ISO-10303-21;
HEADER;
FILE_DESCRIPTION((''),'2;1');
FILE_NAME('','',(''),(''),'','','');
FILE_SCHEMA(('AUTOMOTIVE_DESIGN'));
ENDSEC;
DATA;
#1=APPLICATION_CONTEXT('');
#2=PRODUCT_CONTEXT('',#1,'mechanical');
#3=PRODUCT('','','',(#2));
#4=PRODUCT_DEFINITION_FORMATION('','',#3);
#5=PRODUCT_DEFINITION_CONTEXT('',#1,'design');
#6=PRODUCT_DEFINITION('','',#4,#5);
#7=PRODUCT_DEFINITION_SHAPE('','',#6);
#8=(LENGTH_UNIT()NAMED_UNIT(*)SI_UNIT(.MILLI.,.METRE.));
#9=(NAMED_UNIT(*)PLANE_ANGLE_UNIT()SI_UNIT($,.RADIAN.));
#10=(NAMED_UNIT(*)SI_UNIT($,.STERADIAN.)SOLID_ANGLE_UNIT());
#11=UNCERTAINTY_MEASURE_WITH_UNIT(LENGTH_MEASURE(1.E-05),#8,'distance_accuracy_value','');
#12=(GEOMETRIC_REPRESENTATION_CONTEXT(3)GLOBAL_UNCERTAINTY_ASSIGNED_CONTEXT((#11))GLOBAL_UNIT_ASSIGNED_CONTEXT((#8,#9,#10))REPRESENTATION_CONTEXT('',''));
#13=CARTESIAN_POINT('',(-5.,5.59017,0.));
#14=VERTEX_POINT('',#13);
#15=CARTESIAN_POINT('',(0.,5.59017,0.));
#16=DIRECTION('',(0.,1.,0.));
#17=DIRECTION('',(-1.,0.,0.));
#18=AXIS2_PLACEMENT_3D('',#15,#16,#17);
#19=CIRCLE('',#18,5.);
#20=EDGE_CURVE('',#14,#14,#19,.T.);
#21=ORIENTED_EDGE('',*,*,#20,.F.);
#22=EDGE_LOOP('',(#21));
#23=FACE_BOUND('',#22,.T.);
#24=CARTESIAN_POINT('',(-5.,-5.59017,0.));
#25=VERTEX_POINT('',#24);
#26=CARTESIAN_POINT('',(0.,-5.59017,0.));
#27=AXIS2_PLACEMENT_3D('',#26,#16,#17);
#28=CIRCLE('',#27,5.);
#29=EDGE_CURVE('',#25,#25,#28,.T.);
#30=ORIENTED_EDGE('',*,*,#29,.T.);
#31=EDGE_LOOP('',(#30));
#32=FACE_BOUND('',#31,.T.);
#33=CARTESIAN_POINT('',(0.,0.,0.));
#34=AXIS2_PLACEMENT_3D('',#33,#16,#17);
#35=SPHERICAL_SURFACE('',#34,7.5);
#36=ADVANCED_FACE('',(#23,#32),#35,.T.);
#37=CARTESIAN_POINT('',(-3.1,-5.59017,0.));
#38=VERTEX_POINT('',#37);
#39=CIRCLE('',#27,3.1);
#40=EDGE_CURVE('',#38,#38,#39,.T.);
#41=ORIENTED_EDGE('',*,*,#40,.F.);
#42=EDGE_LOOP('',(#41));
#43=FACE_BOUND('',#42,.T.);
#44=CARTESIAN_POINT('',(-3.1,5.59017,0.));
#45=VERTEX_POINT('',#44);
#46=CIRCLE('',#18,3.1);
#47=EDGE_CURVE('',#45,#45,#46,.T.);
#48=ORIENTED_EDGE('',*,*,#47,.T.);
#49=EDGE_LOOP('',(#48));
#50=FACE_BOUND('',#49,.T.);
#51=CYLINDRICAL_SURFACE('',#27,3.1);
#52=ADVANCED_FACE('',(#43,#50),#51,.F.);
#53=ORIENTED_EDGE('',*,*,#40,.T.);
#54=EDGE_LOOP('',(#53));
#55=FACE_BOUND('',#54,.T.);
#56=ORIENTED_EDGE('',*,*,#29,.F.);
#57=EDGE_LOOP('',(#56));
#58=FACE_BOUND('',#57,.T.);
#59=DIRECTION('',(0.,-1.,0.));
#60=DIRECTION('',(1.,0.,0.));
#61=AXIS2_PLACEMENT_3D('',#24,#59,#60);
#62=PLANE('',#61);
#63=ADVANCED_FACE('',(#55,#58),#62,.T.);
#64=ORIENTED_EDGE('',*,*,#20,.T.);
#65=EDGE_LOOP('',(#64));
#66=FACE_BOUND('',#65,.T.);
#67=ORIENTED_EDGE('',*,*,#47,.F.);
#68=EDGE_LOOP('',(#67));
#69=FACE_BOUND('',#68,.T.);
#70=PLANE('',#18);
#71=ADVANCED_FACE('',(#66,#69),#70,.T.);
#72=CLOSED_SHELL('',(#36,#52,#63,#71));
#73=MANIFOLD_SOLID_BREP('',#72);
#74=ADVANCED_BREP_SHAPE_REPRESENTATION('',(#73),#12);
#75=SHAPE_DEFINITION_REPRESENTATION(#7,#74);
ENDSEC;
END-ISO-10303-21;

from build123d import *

# Parameters (mm, degrees)
SKETCH3_R          = 3.1
CUT_EXTRUDE1_DEPTH = 12.180339887


with BuildPart() as part:
    # Sketch2 → Revolve1 (revolve)
    with BuildSketch(Plane.XY):
        with BuildLine():
            Line((0, 5.590169944), (0, -5.590169944))
            Line((0, -5.590169944), (-5, -5.590169944))
            ThreePointArc((-5, -5.590169944), (-7.5, 0), (-5, 5.590169944))
            Line((-5, 5.590169944), (0, 5.590169944))
        make_face()
    revolve(axis=Axis((0, 5.590169944, 0), (0, -1, 0)))

    # Sketch3 → Cut-Extrude1 (cut, through all)
    with BuildSketch(Plane(origin=(0, 5.590169944, 0), x_dir=(1, 0, 0), z_dir=(0, 1, 0))):
        Circle(SKETCH3_R)
    extrude(amount=-CUT_EXTRUDE1_DEPTH, mode=Mode.SUBTRACT)


solid = part.part
